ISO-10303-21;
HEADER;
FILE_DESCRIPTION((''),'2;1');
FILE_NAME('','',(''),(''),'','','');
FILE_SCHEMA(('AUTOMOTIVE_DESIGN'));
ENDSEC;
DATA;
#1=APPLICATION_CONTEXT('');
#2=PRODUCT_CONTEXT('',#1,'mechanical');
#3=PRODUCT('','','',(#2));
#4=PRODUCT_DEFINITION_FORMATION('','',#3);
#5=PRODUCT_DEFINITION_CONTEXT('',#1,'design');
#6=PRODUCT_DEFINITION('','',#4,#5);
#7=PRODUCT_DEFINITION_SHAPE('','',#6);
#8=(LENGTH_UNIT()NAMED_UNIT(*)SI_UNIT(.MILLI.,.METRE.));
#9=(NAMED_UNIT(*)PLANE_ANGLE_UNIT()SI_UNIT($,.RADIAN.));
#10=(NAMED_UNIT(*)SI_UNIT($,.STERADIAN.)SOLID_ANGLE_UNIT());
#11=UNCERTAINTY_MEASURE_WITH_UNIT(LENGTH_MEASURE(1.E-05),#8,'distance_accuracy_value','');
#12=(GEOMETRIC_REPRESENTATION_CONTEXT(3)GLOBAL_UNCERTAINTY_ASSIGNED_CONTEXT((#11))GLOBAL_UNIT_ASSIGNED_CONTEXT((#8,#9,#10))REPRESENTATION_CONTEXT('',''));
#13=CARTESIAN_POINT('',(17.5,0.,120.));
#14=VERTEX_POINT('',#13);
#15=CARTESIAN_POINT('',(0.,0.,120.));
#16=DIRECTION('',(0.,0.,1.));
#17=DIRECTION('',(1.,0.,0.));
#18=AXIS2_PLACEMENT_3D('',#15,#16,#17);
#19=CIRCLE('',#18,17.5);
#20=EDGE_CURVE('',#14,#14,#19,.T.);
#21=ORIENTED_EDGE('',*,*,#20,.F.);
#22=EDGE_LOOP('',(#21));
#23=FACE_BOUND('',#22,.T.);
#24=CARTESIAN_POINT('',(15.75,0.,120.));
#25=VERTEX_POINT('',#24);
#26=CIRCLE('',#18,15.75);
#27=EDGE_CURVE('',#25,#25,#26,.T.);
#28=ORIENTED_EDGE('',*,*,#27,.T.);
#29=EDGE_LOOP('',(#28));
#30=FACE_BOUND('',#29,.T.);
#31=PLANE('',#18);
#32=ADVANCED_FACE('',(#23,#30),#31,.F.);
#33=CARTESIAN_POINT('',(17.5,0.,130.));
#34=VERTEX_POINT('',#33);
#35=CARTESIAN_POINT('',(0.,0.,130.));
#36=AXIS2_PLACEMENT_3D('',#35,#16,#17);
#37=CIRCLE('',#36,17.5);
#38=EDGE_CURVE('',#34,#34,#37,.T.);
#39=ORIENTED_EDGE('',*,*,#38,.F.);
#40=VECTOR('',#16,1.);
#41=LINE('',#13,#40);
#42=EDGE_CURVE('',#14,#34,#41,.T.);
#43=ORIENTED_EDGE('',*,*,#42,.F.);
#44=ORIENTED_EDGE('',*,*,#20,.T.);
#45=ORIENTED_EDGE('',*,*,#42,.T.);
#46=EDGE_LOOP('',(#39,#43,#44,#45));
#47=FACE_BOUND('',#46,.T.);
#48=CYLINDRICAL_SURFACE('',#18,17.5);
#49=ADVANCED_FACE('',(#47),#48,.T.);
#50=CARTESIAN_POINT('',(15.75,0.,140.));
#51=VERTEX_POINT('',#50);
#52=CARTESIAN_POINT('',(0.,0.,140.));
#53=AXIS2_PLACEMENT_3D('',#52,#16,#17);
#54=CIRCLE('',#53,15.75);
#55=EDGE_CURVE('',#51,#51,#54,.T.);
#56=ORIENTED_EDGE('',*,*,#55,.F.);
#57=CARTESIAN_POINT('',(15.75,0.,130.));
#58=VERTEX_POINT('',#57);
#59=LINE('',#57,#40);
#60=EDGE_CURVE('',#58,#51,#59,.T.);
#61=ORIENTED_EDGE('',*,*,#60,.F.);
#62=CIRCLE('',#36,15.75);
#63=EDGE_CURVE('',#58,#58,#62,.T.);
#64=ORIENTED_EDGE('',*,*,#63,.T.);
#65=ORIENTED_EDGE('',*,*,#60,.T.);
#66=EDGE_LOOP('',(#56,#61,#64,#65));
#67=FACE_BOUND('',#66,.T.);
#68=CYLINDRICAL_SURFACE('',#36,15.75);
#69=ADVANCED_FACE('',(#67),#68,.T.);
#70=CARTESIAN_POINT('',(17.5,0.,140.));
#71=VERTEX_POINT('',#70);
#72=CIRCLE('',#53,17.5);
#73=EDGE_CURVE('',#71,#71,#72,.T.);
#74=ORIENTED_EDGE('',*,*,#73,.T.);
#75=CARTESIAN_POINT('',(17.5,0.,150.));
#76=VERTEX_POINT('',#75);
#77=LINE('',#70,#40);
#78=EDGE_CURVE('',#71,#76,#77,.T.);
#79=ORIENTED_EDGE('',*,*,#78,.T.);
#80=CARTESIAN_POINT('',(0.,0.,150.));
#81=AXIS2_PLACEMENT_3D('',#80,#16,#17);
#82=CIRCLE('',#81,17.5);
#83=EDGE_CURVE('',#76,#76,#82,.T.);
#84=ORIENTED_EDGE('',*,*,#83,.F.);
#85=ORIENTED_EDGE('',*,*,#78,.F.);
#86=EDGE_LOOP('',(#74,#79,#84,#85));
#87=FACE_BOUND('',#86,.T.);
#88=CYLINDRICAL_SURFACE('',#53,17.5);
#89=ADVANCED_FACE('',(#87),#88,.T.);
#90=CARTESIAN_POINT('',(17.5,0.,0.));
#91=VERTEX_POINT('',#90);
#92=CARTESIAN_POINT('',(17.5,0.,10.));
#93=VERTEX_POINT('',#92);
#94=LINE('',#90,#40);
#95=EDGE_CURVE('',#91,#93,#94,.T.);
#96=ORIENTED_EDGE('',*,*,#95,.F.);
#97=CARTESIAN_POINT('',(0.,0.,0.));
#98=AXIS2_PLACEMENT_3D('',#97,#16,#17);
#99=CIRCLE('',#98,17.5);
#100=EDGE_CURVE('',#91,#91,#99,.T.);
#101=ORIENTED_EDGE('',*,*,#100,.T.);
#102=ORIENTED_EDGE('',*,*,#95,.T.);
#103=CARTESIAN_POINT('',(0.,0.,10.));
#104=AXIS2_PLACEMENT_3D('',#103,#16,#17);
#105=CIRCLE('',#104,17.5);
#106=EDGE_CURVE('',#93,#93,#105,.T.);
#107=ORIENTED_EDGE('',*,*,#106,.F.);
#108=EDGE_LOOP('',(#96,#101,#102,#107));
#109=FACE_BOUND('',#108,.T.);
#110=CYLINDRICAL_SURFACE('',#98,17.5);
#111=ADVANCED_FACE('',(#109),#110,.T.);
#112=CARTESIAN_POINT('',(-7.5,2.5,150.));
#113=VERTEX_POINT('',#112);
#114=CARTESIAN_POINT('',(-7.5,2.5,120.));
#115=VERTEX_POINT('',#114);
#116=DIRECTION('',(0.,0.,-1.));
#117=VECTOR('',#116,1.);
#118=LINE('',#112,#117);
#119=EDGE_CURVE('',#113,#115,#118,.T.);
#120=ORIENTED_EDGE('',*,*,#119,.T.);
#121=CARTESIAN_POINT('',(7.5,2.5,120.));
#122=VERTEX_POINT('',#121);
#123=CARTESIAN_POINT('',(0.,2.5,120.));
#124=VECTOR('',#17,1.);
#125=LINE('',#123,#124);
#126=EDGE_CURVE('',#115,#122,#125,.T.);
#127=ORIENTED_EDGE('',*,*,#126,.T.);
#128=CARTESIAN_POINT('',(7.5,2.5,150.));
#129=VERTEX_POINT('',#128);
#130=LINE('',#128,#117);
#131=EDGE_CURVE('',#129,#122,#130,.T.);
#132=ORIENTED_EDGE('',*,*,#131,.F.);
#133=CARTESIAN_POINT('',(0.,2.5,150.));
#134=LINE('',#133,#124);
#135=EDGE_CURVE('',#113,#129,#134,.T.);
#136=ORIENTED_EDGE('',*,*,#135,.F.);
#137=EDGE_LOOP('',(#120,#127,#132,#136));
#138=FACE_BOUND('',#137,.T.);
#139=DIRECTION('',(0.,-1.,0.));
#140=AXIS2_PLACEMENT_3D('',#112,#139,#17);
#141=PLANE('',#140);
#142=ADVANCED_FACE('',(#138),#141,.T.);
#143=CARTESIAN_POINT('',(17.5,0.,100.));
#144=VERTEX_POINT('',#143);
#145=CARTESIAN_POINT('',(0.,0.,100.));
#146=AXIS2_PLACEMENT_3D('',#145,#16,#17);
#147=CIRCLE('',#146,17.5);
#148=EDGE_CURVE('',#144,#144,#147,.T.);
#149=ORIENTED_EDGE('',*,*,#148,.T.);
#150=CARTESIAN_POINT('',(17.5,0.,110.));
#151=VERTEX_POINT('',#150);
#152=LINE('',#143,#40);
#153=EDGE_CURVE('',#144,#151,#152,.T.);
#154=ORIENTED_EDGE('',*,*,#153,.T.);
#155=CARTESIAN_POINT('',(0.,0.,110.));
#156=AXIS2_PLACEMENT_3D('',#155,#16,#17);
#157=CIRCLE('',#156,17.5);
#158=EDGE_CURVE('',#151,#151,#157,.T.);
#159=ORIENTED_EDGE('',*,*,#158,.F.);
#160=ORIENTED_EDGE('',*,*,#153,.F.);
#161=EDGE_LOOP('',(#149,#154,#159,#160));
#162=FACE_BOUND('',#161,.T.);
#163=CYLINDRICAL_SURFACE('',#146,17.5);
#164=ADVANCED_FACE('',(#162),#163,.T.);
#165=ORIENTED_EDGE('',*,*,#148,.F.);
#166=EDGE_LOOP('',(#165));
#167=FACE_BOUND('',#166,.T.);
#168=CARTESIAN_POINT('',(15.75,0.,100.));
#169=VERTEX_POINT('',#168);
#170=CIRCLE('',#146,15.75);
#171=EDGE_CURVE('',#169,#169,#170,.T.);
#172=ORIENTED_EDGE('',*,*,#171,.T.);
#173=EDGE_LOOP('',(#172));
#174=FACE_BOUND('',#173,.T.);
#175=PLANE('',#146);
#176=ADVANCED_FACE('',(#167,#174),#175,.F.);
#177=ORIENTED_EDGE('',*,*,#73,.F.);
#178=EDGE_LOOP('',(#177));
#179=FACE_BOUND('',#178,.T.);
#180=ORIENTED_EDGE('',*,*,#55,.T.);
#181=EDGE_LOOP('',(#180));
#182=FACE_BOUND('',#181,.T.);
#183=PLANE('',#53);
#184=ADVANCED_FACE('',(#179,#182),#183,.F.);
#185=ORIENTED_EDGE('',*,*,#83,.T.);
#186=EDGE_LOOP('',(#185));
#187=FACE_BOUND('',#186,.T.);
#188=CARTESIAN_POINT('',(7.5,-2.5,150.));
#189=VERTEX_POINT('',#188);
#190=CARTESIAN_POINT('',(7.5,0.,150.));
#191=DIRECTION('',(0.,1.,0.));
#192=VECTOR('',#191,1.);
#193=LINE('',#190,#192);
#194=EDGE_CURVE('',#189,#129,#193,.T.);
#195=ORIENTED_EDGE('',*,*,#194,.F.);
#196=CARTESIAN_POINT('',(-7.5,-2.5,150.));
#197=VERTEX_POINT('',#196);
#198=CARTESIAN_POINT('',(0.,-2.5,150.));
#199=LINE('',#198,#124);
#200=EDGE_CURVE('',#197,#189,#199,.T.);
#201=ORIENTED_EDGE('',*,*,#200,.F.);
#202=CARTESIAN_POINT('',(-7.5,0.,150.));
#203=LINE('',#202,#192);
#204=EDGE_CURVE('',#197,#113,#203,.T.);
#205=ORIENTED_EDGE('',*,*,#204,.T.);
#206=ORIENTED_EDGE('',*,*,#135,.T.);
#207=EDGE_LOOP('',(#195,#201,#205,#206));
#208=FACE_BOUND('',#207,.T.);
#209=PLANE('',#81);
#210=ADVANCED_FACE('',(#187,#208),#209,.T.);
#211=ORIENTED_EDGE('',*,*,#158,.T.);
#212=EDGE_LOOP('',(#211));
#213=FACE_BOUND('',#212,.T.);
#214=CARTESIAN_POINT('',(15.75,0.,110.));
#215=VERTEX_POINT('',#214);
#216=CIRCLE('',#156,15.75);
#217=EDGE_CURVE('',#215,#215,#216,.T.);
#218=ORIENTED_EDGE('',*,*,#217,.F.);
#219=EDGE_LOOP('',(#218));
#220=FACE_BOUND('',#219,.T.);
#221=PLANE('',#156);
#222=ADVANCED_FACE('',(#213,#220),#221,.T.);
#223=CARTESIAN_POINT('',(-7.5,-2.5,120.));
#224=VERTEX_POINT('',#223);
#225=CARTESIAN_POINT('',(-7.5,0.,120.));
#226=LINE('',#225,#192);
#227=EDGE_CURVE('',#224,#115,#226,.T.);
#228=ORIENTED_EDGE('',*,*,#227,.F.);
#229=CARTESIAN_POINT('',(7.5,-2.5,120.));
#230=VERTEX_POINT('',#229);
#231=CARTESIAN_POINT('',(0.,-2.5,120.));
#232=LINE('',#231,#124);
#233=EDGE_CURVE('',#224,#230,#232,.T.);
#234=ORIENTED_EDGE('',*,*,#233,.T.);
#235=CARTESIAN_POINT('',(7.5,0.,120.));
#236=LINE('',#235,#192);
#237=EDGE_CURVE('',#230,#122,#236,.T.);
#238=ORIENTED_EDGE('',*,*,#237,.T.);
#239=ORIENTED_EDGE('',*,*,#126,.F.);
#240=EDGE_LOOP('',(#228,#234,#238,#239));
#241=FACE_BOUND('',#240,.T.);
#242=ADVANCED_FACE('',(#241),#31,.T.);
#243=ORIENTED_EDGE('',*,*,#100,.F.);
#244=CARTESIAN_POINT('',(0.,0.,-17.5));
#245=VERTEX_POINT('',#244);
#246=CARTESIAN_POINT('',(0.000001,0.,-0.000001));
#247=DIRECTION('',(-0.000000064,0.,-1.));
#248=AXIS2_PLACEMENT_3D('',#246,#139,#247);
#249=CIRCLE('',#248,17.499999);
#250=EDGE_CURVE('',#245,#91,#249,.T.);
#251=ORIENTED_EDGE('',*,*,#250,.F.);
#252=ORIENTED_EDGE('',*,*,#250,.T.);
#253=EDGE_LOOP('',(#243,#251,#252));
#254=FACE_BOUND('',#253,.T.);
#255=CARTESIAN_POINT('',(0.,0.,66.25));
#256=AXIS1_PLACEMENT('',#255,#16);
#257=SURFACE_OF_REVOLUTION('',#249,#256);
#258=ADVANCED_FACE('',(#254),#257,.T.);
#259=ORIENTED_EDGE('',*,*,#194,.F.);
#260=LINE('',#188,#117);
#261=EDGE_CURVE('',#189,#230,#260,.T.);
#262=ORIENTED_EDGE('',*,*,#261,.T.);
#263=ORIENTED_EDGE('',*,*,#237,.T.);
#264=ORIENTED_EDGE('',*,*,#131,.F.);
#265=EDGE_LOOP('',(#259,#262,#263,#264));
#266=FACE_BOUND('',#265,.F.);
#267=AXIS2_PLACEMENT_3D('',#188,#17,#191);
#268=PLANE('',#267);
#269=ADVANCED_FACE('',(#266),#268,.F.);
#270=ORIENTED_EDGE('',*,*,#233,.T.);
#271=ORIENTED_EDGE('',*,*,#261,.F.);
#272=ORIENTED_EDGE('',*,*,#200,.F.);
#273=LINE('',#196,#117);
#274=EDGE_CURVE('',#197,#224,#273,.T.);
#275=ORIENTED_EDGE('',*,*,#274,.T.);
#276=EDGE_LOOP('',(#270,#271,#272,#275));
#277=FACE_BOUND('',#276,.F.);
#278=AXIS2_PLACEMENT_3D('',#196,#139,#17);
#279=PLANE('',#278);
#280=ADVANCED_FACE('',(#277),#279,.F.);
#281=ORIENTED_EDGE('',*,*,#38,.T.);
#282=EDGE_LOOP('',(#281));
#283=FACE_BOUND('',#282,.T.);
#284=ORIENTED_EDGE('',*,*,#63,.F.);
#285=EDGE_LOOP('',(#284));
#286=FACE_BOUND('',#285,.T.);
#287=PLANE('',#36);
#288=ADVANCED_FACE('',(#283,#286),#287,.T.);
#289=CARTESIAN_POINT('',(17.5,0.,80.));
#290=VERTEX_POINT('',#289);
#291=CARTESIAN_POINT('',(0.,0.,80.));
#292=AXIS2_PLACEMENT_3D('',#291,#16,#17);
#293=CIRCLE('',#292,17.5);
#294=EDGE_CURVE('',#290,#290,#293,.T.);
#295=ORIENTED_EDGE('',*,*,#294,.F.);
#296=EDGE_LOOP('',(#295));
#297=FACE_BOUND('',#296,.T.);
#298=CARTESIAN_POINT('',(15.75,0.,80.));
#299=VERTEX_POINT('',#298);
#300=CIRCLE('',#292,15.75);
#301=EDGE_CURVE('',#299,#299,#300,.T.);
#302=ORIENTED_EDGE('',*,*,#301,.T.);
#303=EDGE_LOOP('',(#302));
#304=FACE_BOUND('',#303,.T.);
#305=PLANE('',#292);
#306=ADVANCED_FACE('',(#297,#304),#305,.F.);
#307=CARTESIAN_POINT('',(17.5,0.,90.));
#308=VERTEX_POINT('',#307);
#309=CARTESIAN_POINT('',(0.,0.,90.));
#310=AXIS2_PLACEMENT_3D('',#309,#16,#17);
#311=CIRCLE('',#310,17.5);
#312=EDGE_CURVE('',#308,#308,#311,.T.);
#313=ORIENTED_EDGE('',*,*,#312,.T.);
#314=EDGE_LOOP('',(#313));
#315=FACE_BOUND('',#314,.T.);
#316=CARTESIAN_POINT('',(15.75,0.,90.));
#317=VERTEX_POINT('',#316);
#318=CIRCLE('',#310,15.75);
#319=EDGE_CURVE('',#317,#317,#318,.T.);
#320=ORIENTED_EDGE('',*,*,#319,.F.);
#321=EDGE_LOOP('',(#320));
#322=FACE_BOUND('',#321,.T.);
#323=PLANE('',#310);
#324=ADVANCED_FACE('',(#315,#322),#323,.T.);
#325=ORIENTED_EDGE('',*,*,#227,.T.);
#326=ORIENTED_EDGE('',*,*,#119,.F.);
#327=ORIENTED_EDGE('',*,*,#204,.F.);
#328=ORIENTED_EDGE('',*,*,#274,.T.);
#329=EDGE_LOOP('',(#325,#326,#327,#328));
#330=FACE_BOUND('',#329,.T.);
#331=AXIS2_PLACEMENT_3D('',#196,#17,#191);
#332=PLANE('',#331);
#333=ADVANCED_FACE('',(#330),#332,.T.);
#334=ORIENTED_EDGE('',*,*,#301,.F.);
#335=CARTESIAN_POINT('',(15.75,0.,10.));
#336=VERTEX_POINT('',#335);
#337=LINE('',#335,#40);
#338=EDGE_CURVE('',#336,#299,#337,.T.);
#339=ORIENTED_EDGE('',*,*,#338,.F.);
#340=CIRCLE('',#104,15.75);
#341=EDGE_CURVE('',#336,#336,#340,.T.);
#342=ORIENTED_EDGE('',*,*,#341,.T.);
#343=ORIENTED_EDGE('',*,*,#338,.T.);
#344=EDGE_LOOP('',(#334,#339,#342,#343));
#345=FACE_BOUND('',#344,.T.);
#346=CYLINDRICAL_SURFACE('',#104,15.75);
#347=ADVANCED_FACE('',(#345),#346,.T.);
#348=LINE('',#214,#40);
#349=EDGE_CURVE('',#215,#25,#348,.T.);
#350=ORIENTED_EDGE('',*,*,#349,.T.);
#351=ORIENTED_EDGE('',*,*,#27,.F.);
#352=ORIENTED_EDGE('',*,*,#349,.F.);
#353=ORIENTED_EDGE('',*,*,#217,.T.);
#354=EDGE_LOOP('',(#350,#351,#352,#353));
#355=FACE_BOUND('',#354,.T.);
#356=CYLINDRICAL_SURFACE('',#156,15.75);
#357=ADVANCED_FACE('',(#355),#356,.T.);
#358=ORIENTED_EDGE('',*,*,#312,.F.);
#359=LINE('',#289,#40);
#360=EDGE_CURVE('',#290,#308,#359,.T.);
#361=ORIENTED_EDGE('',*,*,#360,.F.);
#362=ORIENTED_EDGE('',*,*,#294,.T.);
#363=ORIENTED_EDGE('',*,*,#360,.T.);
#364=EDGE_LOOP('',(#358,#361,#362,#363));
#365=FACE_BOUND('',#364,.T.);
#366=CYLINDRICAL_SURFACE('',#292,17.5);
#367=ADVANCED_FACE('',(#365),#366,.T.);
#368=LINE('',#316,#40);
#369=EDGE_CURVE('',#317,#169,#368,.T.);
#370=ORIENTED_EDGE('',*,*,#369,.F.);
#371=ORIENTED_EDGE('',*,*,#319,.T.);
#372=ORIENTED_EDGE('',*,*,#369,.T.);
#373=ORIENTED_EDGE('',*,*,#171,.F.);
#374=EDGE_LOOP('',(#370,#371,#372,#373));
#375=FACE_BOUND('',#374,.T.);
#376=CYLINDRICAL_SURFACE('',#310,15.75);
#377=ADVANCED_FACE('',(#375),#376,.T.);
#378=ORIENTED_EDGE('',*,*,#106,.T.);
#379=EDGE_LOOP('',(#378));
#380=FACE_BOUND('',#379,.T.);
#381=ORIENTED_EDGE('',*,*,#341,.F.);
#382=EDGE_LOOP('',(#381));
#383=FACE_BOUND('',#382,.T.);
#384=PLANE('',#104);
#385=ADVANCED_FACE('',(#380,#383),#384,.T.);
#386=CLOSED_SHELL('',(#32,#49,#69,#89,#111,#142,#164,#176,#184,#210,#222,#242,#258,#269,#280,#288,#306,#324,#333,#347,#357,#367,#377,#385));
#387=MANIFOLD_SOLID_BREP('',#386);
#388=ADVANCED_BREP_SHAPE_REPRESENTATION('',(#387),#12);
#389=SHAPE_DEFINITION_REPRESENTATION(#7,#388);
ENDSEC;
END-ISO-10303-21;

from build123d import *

# Parameters (mm, degrees)
F2_W     = 15
F2_H     = 5
F3_DEPTH = 30


with BuildPart() as f1:
    # F0 (on Front) → F1 (revolve)
    with BuildSketch(Plane.XZ):
        with BuildLine():
            Line((0, 150), (0, -17.5))
            ThreePointArc((0, -17.5), (12.374369, -12.374369), (17.5, 0))
            Line((17.5, 0), (17.5, 10))
            Line((17.5, 10), (15.75, 10))
            Line((15.75, 10), (15.75, 80))
            Line((15.75, 80), (17.5, 80))
            Line((17.5, 80), (17.5, 90))
            Line((17.5, 90), (15.75, 90))
            Line((15.75, 90), (15.75, 100))
            Line((15.75, 100), (17.5, 100))
            Line((17.5, 100), (17.5, 110))
            Line((17.5, 110), (15.75, 110))
            Line((15.75, 110), (15.75, 120))
            Line((15.75, 120), (17.5, 120))
            Line((17.5, 120), (17.5, 130))
            Line((17.5, 130), (15.75, 130))
            Line((15.75, 130), (15.75, 140))
            Line((15.75, 140), (17.5, 140))
            Line((17.5, 140), (17.5, 150))
            Line((17.5, 150), (0, 150))
        make_face()
    revolve(axis=Axis((0, 0, 66.25), (0, 0, 1)))

    # F2 (on face) → F3 (cut)
    with BuildSketch(Plane.XY.offset(150)):
        Rectangle(F2_W, F2_H)
    extrude(amount=-F3_DEPTH, mode=Mode.SUBTRACT)


solid = f1.part
